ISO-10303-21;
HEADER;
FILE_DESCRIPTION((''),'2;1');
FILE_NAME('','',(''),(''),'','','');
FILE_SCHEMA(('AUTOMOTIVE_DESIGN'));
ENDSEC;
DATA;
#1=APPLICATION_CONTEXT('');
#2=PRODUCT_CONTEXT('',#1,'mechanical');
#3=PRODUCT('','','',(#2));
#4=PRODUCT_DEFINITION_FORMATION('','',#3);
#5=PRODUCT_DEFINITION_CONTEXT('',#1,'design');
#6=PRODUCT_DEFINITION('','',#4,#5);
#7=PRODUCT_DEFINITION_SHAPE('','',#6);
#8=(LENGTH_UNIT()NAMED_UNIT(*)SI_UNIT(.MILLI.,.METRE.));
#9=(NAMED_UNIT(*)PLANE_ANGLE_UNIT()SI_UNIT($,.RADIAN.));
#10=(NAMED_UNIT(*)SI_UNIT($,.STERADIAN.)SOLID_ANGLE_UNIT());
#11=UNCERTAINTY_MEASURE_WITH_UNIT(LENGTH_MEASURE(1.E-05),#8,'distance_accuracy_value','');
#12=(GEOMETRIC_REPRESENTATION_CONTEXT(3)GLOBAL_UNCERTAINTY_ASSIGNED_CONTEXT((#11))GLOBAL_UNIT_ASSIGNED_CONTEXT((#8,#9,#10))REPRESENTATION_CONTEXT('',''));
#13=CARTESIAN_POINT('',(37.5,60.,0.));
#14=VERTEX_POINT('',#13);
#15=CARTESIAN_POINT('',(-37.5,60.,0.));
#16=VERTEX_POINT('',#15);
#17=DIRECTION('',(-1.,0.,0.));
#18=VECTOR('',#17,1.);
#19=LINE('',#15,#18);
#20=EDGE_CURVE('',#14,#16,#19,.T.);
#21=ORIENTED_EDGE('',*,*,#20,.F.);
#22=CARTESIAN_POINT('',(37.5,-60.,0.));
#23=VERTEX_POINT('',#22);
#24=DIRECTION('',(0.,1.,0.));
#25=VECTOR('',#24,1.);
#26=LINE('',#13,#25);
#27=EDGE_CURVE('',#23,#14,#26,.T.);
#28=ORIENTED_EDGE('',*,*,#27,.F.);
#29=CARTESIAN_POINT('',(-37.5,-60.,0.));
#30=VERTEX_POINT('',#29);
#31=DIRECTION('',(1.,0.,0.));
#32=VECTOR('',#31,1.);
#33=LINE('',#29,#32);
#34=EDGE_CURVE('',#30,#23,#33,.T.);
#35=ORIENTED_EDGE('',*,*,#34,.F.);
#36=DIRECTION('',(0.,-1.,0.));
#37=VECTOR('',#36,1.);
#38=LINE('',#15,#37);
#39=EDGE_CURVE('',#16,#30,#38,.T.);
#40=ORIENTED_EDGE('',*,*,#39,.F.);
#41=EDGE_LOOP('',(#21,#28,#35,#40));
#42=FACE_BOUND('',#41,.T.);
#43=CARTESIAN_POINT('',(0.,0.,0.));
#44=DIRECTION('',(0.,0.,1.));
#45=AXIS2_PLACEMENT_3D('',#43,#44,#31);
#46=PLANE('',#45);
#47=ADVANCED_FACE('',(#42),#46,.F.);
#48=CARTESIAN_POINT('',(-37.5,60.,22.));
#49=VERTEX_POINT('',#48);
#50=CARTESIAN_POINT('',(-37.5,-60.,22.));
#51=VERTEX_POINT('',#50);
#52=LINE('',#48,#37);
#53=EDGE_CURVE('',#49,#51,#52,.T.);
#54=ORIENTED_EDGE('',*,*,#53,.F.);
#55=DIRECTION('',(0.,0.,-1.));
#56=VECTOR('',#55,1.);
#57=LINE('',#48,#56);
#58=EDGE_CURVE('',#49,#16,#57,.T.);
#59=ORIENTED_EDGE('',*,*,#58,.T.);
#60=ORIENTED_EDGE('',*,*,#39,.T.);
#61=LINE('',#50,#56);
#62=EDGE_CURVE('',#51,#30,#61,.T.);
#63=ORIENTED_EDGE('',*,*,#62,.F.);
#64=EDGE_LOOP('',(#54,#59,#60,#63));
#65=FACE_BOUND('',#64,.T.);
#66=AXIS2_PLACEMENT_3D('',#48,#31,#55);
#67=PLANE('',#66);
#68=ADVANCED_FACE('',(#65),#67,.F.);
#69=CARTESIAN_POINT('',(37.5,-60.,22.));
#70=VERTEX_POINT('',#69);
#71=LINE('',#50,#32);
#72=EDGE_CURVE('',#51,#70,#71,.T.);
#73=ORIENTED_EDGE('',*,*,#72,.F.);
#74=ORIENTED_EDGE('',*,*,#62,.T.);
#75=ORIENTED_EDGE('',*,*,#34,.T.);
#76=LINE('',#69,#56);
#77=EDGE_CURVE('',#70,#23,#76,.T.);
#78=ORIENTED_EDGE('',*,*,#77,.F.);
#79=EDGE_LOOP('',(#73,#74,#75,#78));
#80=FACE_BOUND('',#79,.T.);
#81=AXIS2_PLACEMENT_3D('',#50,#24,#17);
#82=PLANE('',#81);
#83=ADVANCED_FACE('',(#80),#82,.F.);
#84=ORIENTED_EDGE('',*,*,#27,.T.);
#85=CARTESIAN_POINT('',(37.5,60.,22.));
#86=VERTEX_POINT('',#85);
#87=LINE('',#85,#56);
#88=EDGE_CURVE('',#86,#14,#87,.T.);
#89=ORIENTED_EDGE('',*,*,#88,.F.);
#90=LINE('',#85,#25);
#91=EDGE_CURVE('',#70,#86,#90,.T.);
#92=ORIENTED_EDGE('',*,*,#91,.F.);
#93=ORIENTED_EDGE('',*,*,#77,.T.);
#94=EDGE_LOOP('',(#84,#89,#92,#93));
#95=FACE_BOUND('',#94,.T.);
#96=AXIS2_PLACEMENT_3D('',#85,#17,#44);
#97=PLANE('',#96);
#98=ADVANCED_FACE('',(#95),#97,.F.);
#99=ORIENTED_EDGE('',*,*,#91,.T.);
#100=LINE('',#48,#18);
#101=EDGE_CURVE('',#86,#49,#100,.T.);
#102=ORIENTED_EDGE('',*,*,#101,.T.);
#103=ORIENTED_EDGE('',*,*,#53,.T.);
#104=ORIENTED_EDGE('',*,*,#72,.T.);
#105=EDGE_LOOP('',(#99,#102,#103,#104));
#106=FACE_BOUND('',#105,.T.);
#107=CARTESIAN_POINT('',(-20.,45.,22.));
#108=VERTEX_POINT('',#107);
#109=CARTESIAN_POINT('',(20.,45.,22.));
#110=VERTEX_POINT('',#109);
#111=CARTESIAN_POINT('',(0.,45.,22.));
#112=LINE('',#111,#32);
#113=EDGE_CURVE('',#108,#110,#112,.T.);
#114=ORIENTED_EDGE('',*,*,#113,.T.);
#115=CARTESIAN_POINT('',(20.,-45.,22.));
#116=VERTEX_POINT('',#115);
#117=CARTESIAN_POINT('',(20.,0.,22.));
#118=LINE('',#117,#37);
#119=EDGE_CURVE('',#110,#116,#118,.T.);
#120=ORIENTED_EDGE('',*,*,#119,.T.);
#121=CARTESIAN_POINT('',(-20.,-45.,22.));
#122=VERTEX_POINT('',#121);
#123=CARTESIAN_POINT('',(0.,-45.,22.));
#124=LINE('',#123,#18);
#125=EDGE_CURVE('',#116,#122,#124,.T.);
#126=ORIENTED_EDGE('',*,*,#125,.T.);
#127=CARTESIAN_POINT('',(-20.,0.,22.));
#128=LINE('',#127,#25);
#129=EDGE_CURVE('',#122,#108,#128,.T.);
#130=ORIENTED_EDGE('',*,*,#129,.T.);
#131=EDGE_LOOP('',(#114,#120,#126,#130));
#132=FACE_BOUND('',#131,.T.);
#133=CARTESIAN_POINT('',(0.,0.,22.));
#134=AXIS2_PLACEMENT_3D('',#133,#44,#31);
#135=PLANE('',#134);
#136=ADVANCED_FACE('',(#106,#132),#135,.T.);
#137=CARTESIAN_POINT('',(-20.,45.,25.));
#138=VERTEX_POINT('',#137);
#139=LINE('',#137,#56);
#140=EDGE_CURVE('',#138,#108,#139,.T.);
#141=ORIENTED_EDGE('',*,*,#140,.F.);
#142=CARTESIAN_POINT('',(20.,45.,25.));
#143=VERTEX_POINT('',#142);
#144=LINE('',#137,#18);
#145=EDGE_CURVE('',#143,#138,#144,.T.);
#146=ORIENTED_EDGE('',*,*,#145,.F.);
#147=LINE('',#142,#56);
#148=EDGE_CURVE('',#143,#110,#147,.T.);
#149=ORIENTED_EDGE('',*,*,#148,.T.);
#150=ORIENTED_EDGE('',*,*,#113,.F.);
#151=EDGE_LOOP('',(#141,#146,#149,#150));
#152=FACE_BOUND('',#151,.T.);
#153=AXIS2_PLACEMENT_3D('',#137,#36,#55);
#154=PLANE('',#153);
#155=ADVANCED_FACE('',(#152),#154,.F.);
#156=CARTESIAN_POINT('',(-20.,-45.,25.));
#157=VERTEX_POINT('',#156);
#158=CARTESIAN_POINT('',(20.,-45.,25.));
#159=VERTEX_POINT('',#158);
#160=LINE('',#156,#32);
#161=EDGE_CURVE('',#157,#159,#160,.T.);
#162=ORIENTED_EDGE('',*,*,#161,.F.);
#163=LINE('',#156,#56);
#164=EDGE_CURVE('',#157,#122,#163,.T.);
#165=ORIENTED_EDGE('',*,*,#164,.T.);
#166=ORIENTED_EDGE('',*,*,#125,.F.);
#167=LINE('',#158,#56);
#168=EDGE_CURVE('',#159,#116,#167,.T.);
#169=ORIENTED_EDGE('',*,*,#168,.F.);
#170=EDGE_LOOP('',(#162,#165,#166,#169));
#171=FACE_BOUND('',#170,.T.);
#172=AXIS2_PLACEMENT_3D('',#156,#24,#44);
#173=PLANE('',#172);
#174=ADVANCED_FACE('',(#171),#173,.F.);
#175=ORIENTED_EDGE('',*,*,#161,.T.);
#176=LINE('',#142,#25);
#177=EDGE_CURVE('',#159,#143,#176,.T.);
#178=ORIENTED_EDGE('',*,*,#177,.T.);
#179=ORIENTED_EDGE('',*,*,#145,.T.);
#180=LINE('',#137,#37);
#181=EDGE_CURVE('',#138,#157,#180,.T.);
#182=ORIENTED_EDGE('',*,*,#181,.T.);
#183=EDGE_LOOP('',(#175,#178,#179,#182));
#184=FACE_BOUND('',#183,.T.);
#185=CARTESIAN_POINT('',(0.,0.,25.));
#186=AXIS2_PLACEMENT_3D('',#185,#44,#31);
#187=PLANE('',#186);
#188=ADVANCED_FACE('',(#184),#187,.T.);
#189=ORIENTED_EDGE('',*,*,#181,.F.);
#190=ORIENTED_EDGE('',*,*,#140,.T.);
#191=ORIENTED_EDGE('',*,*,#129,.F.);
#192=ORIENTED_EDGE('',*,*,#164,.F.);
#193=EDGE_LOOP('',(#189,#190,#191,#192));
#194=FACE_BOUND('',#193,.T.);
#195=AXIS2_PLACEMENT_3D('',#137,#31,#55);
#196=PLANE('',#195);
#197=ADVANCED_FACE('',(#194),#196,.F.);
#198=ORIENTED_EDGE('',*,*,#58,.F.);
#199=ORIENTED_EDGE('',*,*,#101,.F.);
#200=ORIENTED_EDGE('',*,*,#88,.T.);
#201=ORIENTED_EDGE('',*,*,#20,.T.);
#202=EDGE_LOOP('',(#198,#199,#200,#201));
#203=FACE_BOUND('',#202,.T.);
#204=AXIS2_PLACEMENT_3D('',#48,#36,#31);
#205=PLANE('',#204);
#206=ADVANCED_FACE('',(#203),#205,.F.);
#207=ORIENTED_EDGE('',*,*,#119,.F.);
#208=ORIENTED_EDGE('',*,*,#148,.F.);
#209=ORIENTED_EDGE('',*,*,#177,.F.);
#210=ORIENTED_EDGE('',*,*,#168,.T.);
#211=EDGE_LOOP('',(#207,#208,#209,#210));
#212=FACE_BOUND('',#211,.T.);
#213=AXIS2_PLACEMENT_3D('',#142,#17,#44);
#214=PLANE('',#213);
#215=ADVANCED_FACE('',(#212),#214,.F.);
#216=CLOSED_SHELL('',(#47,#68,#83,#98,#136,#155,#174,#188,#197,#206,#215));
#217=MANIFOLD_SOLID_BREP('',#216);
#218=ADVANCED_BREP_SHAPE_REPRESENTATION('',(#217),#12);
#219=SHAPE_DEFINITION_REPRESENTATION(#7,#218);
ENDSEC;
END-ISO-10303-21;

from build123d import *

# Parameters (mm, degrees)
SKETCH1_W           = 75
SKETCH1_H           = 120
BOSS_EXTRUDE1_DEPTH = 22
SKETCH3_W           = 40
SKETCH3_H           = 90
BOSS_EXTRUDE2_DEPTH = 25


with BuildPart() as part:
    # Sketch1 → Boss-Extrude1 (new body)
    with BuildSketch(Plane.XY):
        Rectangle(SKETCH1_W, SKETCH1_H)
    extrude(amount=BOSS_EXTRUDE1_DEPTH)

    # Sketch3 → Boss-Extrude2 (add)
    with BuildSketch(Plane.XY):
        Rectangle(SKETCH3_W, SKETCH3_H)
    extrude(amount=BOSS_EXTRUDE2_DEPTH)


solid = part.part
